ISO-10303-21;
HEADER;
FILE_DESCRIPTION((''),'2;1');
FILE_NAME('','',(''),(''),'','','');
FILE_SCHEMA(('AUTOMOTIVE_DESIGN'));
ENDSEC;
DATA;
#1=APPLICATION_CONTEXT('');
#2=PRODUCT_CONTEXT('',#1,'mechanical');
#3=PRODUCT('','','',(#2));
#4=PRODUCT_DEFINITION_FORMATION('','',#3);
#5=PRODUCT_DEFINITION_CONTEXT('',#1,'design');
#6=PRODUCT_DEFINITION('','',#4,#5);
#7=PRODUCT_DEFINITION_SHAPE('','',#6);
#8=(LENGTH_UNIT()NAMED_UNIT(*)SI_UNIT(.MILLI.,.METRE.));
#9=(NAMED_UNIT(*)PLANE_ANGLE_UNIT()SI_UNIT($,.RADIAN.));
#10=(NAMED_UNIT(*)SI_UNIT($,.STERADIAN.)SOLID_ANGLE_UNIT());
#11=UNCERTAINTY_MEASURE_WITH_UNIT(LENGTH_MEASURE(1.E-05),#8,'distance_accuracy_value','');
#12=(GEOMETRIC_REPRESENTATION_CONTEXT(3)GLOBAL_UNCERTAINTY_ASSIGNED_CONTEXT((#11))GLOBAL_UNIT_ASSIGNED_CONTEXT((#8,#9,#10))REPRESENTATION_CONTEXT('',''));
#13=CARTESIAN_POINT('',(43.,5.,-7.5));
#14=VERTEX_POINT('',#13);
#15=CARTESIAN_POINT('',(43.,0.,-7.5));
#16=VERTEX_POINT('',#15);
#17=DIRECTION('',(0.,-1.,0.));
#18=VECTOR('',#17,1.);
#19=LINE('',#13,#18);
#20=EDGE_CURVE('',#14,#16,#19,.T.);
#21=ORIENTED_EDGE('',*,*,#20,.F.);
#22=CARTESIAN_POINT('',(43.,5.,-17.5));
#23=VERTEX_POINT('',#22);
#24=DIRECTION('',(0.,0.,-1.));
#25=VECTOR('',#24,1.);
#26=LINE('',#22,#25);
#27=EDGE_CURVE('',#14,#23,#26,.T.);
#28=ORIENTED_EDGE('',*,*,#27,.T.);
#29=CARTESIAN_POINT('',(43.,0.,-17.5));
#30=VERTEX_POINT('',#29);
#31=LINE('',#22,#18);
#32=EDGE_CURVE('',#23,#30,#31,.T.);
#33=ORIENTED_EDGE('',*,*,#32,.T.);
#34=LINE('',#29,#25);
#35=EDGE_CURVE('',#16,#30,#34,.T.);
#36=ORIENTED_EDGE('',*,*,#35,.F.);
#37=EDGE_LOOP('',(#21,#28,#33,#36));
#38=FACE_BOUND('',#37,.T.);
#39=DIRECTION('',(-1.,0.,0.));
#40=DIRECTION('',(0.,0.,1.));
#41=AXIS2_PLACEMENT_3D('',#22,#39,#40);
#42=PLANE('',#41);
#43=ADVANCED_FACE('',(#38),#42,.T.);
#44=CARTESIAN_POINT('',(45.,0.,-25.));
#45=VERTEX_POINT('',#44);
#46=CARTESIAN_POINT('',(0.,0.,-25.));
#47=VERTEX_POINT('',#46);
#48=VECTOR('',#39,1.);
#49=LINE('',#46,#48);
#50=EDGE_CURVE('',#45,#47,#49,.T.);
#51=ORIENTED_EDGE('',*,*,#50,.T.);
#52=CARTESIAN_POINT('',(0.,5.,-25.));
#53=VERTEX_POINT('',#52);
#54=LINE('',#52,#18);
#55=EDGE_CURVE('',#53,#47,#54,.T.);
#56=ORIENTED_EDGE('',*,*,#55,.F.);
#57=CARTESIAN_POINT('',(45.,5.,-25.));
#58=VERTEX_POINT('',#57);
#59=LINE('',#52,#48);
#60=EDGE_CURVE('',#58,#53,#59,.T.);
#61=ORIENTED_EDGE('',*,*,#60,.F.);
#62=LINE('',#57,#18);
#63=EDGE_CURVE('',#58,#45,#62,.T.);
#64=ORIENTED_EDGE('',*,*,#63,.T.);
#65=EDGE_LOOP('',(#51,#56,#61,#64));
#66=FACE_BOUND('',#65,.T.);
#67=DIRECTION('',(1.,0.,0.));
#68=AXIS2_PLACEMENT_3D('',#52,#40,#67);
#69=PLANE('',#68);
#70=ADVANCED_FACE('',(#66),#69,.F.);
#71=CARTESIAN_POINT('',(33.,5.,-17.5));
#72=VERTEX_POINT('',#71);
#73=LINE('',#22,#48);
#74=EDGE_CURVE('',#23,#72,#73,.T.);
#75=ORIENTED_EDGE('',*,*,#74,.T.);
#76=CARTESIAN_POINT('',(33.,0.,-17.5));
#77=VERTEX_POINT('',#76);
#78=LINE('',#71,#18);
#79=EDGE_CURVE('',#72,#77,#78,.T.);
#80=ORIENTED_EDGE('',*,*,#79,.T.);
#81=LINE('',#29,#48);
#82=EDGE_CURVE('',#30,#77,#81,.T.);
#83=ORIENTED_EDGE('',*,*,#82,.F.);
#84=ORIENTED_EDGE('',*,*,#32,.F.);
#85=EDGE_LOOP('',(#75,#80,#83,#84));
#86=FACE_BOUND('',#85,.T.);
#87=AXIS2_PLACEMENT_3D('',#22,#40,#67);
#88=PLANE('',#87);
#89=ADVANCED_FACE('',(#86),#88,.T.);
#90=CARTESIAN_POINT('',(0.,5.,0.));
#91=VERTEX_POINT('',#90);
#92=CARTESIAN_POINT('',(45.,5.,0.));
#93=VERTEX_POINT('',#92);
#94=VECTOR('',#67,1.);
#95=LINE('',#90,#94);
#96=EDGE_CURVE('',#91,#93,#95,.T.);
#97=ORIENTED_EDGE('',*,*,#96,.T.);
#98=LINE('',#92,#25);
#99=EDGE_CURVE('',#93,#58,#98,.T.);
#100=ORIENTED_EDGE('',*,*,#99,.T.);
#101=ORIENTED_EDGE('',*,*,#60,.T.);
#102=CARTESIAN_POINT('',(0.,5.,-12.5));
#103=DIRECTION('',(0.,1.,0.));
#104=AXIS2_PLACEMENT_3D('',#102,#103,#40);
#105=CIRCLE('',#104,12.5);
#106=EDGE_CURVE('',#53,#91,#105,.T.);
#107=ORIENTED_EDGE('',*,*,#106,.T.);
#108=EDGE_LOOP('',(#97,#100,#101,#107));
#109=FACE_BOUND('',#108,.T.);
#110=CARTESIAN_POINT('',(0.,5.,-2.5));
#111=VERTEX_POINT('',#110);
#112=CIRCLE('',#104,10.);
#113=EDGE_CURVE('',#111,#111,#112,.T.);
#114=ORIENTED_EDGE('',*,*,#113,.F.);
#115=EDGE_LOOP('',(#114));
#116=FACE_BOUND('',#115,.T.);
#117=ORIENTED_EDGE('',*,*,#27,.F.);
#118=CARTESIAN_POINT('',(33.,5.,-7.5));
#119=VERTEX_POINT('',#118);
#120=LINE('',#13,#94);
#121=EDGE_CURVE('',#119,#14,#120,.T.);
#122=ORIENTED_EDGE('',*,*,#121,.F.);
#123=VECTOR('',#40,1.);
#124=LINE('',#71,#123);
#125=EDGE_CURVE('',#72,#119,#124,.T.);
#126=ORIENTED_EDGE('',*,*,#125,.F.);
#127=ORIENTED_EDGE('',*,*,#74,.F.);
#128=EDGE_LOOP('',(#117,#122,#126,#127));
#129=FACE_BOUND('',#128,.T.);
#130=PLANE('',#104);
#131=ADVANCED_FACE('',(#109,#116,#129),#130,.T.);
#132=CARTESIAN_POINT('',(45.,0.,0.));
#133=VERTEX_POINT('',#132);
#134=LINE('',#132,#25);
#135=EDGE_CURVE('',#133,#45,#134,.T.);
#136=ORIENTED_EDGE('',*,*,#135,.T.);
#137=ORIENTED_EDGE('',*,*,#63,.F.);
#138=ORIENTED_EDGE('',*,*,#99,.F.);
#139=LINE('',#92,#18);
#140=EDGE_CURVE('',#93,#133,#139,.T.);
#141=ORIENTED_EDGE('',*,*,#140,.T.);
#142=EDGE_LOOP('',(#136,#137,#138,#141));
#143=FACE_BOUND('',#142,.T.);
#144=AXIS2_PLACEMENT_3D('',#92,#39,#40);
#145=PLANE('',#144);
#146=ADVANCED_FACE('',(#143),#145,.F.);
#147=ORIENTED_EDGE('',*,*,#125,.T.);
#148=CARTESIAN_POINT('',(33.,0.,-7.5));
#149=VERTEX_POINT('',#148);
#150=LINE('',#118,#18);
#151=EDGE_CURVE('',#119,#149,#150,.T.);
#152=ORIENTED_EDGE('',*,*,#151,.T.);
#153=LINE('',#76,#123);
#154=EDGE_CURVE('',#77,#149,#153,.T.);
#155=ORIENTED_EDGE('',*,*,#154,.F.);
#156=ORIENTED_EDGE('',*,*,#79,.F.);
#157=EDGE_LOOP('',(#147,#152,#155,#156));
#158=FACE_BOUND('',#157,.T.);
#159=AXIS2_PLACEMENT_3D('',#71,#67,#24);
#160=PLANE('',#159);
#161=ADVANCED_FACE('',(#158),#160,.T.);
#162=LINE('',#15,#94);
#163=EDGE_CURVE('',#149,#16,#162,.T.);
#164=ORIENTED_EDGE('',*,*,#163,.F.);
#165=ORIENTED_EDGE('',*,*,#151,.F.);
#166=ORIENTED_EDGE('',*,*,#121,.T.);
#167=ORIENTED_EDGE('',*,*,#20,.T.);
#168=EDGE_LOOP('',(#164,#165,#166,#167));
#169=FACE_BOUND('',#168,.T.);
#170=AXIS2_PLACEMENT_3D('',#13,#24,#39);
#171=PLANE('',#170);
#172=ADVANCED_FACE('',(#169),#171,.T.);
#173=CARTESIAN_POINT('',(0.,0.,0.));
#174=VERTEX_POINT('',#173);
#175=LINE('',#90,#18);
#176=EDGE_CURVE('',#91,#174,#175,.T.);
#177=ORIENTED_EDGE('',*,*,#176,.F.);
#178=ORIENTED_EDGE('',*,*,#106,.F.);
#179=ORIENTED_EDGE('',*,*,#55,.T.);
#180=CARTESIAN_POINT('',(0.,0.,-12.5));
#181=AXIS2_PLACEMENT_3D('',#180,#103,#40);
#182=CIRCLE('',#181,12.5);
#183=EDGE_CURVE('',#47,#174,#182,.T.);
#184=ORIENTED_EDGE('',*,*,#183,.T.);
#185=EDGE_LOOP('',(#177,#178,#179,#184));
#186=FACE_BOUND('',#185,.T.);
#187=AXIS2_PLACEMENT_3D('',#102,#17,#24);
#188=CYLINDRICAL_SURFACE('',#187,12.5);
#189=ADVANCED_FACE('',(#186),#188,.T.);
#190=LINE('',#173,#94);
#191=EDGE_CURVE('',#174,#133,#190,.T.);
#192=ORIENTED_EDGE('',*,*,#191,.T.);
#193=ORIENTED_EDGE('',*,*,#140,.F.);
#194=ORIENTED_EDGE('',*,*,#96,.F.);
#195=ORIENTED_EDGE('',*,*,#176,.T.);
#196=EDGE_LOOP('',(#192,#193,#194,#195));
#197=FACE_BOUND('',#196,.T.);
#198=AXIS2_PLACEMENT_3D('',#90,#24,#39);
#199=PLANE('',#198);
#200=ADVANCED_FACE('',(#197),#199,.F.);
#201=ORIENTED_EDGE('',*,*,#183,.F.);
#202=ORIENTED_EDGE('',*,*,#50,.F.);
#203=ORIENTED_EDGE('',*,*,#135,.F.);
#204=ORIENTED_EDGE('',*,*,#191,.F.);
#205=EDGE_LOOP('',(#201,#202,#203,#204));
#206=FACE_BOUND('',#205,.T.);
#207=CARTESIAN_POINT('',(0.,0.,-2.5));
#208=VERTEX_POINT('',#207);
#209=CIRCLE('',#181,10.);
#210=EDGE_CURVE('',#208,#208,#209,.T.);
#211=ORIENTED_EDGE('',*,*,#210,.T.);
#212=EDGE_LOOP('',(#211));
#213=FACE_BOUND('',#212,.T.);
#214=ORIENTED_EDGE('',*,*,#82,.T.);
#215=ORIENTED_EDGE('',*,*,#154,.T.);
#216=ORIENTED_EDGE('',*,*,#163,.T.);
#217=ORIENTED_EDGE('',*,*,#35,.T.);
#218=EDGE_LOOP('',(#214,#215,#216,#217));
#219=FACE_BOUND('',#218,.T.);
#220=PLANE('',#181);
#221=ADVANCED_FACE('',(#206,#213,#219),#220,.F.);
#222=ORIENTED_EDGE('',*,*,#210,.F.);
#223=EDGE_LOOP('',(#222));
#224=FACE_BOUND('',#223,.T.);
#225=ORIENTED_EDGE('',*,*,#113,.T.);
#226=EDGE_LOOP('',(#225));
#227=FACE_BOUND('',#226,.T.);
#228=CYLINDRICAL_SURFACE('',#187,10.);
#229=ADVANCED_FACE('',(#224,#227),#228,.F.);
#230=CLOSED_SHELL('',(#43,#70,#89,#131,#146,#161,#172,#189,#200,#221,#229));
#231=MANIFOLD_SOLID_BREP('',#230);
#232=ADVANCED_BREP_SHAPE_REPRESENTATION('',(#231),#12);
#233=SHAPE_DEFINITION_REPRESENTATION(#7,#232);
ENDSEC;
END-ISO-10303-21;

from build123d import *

# Parameters (mm, degrees)
SKETCH1_R           = 10
SKETCH1_W           = 10
SKETCH1_H           = 10
BOSS_EXTRUDE1_DEPTH = 5


with BuildPart() as part:
    # Sketch1 → Boss-Extrude1 (new body)
    with BuildSketch(Plane(origin=(0, 0, 0), x_dir=(1, 0, 0), z_dir=(0, 1, 0))):
        with BuildLine():
            Line((0, 0), (45, 0))
            Line((45, 0), (45, 25))
            Line((45, 25), (0, 25))
            ThreePointArc((0, 25), (-12.5, 12.5), (0, 0))
        make_face()
        with Locations(Location((0, 12.5, 0), (0, 0, 270))):
            Circle(SKETCH1_R, mode=Mode.SUBTRACT)
        with Locations((38, 12.5)):
            Rectangle(SKETCH1_W, SKETCH1_H, mode=Mode.SUBTRACT)
    extrude(amount=BOSS_EXTRUDE1_DEPTH)


solid = part.part
